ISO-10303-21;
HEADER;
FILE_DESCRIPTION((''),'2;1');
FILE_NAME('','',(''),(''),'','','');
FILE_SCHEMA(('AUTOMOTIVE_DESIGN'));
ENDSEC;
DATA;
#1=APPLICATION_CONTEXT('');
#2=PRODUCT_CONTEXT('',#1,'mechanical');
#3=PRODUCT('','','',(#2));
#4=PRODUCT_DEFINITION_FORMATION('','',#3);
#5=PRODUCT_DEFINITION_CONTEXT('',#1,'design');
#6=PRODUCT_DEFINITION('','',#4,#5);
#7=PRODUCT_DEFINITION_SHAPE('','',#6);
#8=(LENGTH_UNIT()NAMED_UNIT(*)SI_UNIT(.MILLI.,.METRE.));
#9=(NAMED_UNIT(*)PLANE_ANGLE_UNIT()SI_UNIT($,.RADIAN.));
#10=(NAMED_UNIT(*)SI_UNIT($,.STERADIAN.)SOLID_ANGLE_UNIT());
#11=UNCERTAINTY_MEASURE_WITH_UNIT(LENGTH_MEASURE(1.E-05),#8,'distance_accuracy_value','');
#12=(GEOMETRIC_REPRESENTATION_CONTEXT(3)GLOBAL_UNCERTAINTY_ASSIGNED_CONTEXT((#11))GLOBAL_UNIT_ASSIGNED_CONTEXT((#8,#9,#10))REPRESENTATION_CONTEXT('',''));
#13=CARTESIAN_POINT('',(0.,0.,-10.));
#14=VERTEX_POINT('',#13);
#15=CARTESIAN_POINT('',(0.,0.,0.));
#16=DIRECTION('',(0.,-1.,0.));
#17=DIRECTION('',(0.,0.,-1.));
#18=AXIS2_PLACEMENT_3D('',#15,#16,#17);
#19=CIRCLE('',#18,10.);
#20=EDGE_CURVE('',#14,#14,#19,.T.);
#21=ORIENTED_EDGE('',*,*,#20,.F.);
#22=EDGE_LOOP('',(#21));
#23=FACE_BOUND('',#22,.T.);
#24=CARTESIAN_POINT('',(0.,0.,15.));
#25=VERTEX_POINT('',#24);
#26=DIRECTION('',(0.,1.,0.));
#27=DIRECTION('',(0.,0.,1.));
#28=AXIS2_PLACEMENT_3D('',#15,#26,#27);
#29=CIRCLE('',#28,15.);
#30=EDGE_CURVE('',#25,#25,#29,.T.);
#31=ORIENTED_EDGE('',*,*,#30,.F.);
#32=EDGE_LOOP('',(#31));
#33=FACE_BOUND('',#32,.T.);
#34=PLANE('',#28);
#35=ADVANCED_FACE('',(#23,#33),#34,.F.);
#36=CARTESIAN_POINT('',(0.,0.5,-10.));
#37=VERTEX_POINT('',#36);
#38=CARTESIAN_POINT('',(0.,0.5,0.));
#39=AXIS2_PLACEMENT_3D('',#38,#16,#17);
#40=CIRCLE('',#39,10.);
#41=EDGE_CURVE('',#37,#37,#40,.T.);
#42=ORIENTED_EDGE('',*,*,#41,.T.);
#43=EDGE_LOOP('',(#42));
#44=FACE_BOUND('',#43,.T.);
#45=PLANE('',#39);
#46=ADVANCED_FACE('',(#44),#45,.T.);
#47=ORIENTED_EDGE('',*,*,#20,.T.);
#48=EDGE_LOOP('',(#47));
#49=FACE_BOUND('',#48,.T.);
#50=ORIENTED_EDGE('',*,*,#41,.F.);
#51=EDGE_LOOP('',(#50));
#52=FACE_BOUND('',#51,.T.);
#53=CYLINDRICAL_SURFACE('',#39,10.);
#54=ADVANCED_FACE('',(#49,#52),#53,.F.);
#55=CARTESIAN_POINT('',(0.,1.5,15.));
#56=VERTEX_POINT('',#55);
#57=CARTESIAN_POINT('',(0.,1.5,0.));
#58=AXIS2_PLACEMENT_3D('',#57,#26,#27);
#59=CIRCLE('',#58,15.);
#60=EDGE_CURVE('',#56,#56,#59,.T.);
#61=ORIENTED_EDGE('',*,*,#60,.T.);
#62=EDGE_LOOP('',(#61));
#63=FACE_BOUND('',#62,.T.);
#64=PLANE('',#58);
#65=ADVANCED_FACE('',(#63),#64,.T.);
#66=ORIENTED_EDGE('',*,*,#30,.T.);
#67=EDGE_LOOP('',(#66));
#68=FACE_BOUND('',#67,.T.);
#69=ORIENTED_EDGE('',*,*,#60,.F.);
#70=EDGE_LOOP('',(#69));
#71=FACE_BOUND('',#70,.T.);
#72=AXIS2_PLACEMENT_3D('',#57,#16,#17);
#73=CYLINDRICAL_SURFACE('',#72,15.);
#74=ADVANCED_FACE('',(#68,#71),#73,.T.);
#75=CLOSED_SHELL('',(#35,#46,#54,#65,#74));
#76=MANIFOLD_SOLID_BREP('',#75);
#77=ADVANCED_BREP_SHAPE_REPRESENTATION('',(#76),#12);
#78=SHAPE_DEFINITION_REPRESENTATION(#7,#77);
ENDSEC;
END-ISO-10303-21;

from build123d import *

# Parameters (mm, degrees)
SKETCH1_R           = 15
BOSS_EXTRUDE1_DEPTH = 1.5
SKETCH2_R           = 10
CUT_EXTRUDE1_DEPTH  = 0.5


with BuildPart() as part:
    # Sketch1 → Boss-Extrude1 (new body)
    with BuildSketch(Plane(origin=(0, 0, 0), x_dir=(1, 0, 0), z_dir=(0, 1, 0))):
        with Locations(Location((0, 0, 0), (0, 0, 270))):
            Circle(SKETCH1_R)
    extrude(amount=BOSS_EXTRUDE1_DEPTH)

    # Sketch2 → Cut-Extrude1 (cut)
    with BuildSketch(Plane.XZ):
        with Locations(Location((0, 0, 0), (0, 0, 270))):
            Circle(SKETCH2_R)
    extrude(amount=-CUT_EXTRUDE1_DEPTH, mode=Mode.SUBTRACT)


solid = part.part
